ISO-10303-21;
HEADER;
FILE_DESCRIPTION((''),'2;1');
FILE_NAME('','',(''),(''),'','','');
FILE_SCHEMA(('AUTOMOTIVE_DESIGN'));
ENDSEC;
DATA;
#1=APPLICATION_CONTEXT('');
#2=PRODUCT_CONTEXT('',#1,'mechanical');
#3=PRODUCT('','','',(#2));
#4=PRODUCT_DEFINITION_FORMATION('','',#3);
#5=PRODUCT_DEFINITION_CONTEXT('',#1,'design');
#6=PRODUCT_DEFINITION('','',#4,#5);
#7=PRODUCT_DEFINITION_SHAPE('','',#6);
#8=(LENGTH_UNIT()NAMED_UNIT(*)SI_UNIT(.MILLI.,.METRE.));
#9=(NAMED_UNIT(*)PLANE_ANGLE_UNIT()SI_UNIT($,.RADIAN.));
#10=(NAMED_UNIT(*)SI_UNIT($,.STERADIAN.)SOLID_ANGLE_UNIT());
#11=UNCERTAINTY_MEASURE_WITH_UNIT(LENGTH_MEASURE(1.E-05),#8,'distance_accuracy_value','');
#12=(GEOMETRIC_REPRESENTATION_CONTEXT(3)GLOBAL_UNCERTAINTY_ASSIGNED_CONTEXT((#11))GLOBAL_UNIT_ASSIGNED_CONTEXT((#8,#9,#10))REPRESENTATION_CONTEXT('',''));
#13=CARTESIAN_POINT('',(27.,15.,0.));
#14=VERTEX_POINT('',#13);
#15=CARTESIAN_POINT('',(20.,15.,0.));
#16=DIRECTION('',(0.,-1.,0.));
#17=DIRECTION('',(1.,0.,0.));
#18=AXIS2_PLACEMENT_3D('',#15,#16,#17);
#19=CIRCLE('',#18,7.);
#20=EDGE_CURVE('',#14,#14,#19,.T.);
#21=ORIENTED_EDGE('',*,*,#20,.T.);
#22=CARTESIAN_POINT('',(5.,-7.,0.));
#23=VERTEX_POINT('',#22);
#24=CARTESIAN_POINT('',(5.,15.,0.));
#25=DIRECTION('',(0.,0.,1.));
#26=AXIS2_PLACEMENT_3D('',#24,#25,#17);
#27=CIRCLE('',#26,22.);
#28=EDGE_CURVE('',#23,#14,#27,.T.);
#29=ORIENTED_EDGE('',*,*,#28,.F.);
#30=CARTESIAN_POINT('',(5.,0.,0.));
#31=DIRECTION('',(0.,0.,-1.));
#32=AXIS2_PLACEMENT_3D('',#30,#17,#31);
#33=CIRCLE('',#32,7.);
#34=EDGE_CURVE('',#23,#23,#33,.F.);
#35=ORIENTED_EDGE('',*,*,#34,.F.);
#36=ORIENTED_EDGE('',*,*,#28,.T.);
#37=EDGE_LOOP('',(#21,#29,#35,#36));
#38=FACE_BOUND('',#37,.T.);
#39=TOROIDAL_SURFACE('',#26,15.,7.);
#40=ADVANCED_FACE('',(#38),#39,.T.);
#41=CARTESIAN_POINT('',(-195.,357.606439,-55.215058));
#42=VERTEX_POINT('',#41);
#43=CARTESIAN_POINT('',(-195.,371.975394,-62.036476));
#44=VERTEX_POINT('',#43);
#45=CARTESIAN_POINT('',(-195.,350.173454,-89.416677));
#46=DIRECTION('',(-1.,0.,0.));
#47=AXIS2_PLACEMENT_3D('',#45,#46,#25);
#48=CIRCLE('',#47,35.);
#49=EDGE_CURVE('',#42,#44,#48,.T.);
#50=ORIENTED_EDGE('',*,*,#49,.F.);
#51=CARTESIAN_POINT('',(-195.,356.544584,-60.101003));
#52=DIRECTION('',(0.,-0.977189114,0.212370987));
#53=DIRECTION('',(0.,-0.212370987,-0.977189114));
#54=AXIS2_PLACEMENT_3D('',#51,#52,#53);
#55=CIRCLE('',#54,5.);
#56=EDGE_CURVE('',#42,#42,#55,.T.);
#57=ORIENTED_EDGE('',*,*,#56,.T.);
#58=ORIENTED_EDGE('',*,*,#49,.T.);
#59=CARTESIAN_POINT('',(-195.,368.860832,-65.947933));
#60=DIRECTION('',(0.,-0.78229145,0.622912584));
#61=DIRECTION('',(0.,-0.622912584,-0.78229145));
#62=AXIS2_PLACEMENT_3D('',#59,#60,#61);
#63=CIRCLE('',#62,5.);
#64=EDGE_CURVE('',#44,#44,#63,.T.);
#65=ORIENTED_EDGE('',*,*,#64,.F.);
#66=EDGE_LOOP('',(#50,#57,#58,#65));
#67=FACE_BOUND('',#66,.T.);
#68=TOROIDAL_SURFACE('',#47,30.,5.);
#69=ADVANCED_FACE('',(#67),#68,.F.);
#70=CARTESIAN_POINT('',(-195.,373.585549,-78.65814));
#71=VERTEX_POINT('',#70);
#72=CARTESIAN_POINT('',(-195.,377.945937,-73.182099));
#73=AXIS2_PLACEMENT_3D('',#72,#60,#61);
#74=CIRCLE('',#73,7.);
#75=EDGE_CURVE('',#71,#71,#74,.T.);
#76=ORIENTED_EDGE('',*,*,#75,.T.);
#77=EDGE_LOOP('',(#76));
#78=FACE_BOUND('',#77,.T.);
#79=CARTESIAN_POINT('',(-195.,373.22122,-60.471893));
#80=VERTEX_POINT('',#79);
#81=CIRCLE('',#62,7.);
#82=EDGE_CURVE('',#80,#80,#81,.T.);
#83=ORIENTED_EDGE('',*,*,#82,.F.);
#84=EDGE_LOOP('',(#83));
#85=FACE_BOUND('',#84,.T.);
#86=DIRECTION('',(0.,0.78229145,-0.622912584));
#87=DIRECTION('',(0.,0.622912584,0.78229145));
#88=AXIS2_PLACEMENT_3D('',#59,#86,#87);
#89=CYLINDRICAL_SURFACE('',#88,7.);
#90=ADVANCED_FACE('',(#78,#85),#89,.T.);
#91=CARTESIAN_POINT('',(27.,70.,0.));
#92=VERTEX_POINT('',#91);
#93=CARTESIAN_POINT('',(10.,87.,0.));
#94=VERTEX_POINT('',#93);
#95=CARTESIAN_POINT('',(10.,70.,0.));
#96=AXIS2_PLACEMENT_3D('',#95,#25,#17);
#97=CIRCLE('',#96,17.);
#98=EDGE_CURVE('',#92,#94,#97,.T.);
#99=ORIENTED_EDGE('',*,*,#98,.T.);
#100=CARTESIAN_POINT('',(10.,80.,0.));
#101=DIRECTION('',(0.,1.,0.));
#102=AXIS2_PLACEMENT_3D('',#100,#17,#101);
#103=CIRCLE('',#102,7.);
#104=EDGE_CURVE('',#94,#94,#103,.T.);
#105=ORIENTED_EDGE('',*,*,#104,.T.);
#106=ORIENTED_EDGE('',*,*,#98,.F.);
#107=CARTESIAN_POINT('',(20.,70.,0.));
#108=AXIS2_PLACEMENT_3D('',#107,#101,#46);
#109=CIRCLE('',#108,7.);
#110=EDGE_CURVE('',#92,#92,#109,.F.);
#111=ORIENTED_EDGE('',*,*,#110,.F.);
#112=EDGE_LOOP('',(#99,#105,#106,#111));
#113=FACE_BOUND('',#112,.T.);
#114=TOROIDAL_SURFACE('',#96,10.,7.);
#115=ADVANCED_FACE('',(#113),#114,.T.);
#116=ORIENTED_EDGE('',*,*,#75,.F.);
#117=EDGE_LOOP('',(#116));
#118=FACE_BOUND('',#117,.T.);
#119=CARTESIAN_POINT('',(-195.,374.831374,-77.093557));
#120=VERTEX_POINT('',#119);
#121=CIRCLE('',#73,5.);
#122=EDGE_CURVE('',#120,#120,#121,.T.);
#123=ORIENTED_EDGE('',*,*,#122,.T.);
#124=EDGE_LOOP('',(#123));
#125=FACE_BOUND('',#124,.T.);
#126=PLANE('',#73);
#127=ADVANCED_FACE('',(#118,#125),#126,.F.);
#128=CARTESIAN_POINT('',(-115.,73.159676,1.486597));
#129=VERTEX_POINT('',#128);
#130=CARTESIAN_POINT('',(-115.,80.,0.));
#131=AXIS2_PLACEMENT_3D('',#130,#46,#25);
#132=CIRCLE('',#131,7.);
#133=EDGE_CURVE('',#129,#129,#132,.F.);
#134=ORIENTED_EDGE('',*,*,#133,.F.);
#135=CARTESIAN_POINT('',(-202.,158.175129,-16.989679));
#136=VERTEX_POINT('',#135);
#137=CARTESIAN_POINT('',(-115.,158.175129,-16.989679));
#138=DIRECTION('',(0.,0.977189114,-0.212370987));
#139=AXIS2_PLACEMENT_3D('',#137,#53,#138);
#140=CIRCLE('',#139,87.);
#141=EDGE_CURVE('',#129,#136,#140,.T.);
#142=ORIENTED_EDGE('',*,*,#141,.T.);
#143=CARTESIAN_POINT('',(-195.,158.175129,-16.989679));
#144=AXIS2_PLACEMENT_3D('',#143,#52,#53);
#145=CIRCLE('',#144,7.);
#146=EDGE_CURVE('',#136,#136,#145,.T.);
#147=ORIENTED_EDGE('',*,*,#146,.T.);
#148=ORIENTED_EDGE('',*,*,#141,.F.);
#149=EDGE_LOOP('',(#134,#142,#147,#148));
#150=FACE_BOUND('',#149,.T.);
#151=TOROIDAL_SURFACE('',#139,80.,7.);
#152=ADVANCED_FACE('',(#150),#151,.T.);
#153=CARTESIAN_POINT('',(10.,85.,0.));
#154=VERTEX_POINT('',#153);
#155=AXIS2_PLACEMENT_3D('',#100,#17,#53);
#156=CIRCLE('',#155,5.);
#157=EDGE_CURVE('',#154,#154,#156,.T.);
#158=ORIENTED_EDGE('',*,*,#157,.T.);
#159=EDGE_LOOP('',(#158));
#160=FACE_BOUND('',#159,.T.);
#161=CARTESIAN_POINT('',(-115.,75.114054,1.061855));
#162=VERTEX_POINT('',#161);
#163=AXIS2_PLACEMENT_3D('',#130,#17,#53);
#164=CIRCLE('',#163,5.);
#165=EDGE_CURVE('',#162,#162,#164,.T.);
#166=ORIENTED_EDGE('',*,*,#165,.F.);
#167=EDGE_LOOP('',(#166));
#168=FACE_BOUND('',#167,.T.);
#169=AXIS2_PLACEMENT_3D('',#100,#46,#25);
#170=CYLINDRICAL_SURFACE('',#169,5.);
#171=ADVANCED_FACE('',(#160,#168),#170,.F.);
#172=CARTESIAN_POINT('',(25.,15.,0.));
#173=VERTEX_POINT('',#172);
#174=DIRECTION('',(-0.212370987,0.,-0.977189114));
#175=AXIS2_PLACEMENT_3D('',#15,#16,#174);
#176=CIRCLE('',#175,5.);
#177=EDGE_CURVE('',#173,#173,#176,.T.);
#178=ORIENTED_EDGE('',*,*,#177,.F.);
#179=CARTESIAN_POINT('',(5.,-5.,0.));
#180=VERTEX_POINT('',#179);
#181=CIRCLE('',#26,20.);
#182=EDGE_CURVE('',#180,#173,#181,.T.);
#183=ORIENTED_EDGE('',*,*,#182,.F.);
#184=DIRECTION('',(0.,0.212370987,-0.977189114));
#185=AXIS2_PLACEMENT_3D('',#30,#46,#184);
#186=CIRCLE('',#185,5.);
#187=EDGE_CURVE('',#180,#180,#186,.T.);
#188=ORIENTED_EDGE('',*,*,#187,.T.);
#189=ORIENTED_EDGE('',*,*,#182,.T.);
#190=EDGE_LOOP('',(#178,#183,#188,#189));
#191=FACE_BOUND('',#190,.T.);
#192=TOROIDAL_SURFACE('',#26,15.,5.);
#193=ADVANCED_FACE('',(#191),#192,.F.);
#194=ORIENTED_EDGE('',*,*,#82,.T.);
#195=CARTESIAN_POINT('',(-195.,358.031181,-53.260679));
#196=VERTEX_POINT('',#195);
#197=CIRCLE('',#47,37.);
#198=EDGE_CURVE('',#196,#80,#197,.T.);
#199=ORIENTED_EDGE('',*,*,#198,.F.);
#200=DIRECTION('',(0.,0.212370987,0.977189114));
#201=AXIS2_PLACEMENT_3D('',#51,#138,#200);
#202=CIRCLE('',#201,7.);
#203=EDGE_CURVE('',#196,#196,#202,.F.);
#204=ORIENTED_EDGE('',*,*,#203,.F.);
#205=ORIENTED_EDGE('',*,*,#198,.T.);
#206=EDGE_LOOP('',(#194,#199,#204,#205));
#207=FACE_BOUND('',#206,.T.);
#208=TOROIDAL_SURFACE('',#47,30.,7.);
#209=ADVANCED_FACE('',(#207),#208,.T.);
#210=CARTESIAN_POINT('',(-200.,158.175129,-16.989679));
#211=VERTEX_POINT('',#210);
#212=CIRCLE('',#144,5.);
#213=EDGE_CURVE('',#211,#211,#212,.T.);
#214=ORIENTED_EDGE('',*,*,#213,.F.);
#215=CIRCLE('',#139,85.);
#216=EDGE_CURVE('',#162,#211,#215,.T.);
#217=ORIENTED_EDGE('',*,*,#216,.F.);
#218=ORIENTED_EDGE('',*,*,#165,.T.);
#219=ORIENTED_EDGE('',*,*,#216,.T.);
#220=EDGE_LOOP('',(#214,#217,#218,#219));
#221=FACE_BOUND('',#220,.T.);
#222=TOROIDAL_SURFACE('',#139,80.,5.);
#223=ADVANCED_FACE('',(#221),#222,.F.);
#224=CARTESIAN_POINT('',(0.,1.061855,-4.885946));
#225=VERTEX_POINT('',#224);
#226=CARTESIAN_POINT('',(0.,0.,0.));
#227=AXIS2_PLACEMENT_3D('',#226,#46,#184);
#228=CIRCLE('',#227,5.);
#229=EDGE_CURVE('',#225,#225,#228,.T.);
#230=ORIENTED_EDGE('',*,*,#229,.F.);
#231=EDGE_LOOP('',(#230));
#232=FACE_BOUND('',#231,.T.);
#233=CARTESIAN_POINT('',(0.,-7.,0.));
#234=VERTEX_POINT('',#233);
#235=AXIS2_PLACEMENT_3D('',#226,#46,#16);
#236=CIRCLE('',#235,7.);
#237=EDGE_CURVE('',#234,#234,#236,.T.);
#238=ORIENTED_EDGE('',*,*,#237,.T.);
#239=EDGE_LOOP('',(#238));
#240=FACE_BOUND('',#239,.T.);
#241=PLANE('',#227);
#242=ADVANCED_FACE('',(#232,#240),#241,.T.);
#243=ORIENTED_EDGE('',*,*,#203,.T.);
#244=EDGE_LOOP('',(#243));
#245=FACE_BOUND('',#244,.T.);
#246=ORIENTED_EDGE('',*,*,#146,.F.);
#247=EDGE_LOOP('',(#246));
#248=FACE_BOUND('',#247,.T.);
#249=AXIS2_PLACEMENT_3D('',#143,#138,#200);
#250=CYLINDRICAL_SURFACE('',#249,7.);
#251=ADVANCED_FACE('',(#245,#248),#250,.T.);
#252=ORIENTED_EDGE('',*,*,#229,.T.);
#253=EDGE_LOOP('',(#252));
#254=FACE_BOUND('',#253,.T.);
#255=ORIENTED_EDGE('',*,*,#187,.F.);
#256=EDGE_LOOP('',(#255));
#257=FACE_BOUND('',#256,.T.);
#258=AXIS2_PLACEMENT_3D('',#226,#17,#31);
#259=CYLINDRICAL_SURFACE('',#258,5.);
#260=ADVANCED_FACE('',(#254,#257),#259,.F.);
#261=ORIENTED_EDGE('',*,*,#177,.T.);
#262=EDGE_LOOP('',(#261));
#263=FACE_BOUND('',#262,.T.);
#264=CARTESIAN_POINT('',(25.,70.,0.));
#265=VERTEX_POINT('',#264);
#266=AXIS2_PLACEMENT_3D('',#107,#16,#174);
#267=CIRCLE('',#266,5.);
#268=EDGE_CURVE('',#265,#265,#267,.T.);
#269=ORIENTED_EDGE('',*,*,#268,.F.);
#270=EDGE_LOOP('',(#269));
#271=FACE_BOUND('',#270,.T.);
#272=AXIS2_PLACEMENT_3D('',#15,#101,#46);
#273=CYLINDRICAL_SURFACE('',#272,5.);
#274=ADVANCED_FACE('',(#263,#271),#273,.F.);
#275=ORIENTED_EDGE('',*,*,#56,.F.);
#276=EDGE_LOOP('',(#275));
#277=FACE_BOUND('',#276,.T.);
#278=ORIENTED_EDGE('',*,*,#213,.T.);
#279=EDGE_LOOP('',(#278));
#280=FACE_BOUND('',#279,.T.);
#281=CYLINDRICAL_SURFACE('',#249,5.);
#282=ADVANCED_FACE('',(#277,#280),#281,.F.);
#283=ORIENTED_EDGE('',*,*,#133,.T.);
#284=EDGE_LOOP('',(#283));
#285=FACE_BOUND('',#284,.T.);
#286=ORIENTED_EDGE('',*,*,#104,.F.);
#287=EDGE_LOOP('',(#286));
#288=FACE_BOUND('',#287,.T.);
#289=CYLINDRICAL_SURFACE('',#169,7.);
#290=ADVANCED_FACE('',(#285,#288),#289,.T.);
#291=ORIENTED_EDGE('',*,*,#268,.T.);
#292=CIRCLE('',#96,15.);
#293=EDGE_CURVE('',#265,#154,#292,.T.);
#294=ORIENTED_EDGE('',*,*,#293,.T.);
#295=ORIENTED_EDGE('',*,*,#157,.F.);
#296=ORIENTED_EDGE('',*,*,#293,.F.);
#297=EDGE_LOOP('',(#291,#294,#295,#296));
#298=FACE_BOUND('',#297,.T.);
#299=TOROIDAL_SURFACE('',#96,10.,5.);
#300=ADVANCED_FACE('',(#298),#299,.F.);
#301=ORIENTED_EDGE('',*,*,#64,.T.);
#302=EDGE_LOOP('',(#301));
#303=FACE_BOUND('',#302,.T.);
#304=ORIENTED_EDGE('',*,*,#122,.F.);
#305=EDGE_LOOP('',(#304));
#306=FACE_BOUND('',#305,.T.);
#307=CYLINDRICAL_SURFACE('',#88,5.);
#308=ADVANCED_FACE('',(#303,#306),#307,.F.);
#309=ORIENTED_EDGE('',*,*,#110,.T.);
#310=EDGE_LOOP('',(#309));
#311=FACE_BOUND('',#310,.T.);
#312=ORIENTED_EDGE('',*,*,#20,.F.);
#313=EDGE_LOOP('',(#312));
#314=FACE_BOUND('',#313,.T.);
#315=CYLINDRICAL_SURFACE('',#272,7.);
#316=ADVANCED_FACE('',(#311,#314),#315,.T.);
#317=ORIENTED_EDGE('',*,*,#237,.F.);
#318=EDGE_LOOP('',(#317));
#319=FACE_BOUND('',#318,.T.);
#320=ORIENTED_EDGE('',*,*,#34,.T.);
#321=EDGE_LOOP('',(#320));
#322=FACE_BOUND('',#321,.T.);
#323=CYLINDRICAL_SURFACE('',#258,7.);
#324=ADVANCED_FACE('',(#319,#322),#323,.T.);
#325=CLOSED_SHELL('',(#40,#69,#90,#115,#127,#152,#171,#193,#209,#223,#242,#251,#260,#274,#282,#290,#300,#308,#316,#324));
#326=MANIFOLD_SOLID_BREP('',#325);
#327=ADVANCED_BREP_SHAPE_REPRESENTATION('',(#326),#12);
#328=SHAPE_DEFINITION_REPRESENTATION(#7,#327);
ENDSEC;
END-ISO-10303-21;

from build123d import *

# Parameters (mm, degrees)
SWEEP_THIN2_PROFILE_R   = 7
SWEEP_THIN2_PROFILE_R_2 = 5


with BuildPart() as part:
    # Sweep-Thin2: sweep along a curve in space
    with BuildLine() as sweep_thin2_path:
        Line((0, 0, 0), (5, 0, 0))
        ThreePointArc((20, 15, 0), (15.606601718, 4.393398282, 0), (5, 0, 0))
        Line((20, 15, 0), (20, 70, 0))
        ThreePointArc((20, 70, 0), (17.071067812, 77.071067812, 0), (10, 80, 0))
        Line((10, 80, 0), (-115, 80, 0))
        ThreePointArc((-115, 80, 0), (-171.568542495, 102.896965192, -4.976161754), (-195, 158.175129096, -16.989678949))
        Line((-195, 158.175129096, -16.989678949), (-195, 356.54458362, -60.101003285))
        ThreePointArc((-195, 356.54458362, -60.101003285), (-195, 363.03925528, -62.315548347), (-195, 368.860831535, -65.947933198))
        Line((-195, 368.860831535, -65.947933198), (-195, 377.945936742, -73.182099392))
    # Sweep-Thin2 profile (on start of the path) → Sweep-Thin2 (sweep)
    with BuildSketch(Plane(origin=(0, 0, 0), x_dir=(0, 0, 1), z_dir=(1, 0, 0))):
        Circle(SWEEP_THIN2_PROFILE_R)
        Circle(SWEEP_THIN2_PROFILE_R_2, mode=Mode.SUBTRACT)
    sweep(path=sweep_thin2_path.line)


solid = part.part
